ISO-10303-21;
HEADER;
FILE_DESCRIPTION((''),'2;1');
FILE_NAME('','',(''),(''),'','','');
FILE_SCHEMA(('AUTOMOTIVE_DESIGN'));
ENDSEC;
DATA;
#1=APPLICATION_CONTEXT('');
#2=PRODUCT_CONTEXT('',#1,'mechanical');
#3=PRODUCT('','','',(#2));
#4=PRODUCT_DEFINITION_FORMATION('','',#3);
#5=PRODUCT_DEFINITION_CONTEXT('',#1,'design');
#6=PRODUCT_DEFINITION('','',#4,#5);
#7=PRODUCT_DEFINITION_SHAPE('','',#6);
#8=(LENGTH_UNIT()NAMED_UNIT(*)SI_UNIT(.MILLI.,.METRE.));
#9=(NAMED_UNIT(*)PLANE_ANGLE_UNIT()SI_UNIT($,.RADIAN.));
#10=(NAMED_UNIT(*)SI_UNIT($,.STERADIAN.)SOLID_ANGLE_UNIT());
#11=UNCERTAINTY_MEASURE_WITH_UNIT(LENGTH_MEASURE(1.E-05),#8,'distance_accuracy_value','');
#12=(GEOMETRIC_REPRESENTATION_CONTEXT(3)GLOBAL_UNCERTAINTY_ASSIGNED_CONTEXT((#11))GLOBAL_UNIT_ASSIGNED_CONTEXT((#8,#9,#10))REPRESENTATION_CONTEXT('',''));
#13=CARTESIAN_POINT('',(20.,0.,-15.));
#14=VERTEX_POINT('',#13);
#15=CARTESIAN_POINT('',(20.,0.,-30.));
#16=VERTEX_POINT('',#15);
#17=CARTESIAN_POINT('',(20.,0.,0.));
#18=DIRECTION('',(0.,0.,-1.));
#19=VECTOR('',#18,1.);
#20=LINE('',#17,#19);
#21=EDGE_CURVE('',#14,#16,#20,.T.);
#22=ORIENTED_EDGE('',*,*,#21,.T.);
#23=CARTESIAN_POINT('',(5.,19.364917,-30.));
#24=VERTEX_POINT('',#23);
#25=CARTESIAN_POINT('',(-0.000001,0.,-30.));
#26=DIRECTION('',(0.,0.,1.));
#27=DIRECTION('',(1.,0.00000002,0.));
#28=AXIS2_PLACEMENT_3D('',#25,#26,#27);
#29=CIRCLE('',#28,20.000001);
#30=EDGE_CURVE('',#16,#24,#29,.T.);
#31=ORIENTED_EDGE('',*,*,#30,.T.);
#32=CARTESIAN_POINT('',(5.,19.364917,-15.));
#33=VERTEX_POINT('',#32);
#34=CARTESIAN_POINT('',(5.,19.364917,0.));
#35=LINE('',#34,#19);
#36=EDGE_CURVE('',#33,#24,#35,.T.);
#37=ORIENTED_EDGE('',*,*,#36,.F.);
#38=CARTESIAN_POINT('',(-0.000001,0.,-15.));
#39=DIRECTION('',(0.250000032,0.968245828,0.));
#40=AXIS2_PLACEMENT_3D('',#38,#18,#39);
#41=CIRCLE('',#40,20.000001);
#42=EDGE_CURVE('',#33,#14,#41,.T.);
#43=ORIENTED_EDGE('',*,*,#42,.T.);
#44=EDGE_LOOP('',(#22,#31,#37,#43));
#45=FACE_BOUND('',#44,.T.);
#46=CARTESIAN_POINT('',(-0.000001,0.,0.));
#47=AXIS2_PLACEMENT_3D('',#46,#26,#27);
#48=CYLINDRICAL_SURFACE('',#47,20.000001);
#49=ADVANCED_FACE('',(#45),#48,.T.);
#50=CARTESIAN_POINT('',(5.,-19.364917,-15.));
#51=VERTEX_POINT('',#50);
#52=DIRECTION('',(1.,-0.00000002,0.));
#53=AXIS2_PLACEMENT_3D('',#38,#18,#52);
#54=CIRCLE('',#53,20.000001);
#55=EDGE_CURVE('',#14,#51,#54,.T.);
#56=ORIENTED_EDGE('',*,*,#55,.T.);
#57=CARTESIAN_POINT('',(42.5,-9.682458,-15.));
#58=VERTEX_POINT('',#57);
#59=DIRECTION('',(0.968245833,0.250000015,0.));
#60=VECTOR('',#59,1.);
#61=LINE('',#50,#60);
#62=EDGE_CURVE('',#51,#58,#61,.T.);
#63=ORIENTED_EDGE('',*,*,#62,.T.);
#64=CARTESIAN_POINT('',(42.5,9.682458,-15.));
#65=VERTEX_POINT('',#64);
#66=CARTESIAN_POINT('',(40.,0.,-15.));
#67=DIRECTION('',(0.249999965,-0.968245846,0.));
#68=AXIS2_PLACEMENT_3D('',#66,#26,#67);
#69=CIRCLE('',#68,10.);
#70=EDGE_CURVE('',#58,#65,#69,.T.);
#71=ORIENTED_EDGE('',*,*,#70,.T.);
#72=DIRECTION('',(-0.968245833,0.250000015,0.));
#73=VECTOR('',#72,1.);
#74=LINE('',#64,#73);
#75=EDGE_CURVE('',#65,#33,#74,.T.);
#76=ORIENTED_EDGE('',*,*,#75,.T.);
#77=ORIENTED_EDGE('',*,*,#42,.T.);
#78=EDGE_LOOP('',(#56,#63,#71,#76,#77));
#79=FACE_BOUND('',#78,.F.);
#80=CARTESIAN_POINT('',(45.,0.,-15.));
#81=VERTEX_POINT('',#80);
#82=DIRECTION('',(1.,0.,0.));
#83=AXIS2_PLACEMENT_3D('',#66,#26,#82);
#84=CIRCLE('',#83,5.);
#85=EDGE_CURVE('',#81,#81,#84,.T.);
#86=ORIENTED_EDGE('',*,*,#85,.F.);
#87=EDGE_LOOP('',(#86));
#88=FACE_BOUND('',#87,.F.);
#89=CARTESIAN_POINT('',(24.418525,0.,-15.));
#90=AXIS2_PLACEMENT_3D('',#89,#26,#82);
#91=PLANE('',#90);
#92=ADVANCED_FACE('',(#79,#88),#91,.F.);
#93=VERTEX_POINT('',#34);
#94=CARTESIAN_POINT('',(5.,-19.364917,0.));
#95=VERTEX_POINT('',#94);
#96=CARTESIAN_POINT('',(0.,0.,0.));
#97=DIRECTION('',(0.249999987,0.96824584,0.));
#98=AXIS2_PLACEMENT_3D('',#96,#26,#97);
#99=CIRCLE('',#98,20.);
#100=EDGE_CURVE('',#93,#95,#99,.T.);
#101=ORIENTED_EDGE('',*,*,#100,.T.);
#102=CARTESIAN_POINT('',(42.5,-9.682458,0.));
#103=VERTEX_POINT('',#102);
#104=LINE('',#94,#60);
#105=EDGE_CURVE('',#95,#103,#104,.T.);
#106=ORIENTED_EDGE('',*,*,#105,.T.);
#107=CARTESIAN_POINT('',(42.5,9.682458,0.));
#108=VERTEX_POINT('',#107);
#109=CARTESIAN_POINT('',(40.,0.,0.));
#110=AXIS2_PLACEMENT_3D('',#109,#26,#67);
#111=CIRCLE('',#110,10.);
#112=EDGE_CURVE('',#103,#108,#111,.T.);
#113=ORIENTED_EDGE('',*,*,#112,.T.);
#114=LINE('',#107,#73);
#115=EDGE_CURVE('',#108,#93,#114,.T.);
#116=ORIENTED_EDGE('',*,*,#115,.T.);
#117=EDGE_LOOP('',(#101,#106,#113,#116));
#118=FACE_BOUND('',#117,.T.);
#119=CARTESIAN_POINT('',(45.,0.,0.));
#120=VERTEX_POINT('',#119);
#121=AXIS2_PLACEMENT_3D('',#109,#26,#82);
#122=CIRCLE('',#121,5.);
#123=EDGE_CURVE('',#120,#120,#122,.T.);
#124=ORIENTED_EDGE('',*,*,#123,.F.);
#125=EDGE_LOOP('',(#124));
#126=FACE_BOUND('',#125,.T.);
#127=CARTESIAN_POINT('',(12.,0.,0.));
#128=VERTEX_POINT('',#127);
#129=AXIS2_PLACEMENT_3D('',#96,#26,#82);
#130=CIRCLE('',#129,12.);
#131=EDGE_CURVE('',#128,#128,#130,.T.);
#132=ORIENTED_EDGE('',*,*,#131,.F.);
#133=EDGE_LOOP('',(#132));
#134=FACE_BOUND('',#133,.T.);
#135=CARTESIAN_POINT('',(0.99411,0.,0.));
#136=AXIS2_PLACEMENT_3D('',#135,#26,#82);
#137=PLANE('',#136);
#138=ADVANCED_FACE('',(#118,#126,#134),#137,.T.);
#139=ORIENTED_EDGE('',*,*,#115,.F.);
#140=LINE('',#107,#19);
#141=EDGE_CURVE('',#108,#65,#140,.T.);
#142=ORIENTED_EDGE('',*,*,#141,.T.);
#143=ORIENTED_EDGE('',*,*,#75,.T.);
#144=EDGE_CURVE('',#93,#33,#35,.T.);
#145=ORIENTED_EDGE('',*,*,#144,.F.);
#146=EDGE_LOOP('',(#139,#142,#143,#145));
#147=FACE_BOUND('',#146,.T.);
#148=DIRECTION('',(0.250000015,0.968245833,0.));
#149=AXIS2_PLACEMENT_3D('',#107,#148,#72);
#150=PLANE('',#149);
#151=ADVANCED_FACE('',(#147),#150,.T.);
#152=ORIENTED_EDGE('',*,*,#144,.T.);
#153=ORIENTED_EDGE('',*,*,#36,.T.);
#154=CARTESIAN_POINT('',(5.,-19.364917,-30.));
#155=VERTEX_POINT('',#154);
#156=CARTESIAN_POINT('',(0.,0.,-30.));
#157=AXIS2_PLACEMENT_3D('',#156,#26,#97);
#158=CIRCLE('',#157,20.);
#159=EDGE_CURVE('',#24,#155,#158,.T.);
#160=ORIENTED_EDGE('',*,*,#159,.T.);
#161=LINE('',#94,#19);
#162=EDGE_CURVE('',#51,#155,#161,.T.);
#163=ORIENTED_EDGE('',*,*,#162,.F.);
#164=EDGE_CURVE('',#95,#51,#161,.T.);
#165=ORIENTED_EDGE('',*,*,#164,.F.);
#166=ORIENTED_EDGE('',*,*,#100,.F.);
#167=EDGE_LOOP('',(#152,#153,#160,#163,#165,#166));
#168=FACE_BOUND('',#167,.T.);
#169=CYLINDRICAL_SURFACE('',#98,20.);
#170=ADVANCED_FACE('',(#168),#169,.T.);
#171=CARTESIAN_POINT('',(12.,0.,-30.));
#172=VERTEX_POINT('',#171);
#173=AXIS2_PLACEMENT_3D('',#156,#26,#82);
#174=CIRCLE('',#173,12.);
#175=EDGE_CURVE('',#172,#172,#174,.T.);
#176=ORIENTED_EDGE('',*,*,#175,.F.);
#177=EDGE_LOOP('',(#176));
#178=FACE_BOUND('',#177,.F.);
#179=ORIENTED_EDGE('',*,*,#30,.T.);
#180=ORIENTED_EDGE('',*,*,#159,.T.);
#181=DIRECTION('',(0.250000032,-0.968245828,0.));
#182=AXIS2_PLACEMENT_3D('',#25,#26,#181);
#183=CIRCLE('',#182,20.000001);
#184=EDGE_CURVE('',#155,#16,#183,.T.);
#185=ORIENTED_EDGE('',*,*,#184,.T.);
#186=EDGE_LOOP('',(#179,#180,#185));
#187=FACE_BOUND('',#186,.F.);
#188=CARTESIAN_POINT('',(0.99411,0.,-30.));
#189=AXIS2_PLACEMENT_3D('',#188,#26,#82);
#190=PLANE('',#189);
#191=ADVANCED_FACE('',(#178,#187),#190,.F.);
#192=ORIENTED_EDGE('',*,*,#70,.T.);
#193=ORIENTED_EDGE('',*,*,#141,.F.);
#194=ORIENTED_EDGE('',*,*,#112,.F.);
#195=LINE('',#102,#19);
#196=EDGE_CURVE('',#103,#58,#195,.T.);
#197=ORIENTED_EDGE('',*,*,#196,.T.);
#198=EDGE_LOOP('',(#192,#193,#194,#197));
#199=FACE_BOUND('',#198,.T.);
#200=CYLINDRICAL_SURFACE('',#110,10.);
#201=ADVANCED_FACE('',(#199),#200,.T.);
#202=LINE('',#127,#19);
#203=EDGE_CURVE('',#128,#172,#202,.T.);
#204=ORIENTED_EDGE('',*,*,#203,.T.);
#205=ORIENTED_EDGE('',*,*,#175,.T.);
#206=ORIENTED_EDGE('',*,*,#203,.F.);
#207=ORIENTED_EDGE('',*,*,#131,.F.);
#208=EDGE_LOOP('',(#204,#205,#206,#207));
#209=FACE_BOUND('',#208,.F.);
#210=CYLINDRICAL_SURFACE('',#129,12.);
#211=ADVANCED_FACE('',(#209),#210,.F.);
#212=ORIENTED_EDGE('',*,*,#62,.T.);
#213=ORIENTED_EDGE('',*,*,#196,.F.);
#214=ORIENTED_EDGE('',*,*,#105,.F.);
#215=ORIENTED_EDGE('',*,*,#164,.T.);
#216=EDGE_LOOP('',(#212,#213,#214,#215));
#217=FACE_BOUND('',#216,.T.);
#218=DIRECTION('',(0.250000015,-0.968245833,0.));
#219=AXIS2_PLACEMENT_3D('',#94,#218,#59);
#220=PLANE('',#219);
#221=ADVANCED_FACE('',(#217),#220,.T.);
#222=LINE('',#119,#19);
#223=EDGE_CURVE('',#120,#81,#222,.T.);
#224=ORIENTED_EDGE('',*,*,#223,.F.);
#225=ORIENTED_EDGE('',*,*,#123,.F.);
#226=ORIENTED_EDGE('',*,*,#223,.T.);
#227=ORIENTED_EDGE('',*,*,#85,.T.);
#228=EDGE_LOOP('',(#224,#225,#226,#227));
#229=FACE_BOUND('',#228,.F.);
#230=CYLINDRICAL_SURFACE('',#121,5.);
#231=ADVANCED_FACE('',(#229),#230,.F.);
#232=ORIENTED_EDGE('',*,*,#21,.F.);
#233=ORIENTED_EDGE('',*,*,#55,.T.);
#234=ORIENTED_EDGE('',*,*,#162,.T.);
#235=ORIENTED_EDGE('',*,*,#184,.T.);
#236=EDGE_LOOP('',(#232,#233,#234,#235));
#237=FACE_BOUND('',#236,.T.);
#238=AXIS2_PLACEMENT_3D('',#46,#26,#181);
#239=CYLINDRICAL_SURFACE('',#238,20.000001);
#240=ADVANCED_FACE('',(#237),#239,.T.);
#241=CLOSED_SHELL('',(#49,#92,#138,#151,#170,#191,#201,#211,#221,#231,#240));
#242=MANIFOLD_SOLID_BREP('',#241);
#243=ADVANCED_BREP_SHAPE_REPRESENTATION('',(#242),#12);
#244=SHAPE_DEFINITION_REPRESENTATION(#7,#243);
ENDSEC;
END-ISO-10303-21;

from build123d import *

# Parameters (mm, degrees)
F0_R     = 5
F1_DEPTH = 15
F0_R_2   = 12
F2_DEPTH = 30


with BuildPart() as f1:
    # F0 (on Top) → F1 (new body)
    with BuildSketch(Plane.XY):
        with BuildLine():
            ThreePointArc((5, 19.364917), (15.811388, 12.247449), (20, 0))
            ThreePointArc((20, 0), (15.811388, -12.247449), (5, -19.364917))
            Line((5, -19.364917), (42.5, -9.682458))
            ThreePointArc((42.5, -9.682458), (50, 0), (42.5, 9.682458))
            Line((42.5, 9.682458), (5, 19.364917))
        make_face()
        with Locations((40, 0)):
            Circle(F0_R, mode=Mode.SUBTRACT)
    extrude(amount=-F1_DEPTH)

    # F0 (on Top) → F2 (join)
    with BuildSketch(Plane.XY):
        with BuildLine():
            ThreePointArc((5, -19.364917), (15.811388, -12.247449), (20, 0))
            ThreePointArc((20, 0), (15.811388, 12.247449), (5, 19.364917))
            ThreePointArc((5, 19.364917), (-20, 0), (5, -19.364917))
        make_face()
        Circle(F0_R_2, mode=Mode.SUBTRACT)
    extrude(amount=-F2_DEPTH)


solid = f1.part
